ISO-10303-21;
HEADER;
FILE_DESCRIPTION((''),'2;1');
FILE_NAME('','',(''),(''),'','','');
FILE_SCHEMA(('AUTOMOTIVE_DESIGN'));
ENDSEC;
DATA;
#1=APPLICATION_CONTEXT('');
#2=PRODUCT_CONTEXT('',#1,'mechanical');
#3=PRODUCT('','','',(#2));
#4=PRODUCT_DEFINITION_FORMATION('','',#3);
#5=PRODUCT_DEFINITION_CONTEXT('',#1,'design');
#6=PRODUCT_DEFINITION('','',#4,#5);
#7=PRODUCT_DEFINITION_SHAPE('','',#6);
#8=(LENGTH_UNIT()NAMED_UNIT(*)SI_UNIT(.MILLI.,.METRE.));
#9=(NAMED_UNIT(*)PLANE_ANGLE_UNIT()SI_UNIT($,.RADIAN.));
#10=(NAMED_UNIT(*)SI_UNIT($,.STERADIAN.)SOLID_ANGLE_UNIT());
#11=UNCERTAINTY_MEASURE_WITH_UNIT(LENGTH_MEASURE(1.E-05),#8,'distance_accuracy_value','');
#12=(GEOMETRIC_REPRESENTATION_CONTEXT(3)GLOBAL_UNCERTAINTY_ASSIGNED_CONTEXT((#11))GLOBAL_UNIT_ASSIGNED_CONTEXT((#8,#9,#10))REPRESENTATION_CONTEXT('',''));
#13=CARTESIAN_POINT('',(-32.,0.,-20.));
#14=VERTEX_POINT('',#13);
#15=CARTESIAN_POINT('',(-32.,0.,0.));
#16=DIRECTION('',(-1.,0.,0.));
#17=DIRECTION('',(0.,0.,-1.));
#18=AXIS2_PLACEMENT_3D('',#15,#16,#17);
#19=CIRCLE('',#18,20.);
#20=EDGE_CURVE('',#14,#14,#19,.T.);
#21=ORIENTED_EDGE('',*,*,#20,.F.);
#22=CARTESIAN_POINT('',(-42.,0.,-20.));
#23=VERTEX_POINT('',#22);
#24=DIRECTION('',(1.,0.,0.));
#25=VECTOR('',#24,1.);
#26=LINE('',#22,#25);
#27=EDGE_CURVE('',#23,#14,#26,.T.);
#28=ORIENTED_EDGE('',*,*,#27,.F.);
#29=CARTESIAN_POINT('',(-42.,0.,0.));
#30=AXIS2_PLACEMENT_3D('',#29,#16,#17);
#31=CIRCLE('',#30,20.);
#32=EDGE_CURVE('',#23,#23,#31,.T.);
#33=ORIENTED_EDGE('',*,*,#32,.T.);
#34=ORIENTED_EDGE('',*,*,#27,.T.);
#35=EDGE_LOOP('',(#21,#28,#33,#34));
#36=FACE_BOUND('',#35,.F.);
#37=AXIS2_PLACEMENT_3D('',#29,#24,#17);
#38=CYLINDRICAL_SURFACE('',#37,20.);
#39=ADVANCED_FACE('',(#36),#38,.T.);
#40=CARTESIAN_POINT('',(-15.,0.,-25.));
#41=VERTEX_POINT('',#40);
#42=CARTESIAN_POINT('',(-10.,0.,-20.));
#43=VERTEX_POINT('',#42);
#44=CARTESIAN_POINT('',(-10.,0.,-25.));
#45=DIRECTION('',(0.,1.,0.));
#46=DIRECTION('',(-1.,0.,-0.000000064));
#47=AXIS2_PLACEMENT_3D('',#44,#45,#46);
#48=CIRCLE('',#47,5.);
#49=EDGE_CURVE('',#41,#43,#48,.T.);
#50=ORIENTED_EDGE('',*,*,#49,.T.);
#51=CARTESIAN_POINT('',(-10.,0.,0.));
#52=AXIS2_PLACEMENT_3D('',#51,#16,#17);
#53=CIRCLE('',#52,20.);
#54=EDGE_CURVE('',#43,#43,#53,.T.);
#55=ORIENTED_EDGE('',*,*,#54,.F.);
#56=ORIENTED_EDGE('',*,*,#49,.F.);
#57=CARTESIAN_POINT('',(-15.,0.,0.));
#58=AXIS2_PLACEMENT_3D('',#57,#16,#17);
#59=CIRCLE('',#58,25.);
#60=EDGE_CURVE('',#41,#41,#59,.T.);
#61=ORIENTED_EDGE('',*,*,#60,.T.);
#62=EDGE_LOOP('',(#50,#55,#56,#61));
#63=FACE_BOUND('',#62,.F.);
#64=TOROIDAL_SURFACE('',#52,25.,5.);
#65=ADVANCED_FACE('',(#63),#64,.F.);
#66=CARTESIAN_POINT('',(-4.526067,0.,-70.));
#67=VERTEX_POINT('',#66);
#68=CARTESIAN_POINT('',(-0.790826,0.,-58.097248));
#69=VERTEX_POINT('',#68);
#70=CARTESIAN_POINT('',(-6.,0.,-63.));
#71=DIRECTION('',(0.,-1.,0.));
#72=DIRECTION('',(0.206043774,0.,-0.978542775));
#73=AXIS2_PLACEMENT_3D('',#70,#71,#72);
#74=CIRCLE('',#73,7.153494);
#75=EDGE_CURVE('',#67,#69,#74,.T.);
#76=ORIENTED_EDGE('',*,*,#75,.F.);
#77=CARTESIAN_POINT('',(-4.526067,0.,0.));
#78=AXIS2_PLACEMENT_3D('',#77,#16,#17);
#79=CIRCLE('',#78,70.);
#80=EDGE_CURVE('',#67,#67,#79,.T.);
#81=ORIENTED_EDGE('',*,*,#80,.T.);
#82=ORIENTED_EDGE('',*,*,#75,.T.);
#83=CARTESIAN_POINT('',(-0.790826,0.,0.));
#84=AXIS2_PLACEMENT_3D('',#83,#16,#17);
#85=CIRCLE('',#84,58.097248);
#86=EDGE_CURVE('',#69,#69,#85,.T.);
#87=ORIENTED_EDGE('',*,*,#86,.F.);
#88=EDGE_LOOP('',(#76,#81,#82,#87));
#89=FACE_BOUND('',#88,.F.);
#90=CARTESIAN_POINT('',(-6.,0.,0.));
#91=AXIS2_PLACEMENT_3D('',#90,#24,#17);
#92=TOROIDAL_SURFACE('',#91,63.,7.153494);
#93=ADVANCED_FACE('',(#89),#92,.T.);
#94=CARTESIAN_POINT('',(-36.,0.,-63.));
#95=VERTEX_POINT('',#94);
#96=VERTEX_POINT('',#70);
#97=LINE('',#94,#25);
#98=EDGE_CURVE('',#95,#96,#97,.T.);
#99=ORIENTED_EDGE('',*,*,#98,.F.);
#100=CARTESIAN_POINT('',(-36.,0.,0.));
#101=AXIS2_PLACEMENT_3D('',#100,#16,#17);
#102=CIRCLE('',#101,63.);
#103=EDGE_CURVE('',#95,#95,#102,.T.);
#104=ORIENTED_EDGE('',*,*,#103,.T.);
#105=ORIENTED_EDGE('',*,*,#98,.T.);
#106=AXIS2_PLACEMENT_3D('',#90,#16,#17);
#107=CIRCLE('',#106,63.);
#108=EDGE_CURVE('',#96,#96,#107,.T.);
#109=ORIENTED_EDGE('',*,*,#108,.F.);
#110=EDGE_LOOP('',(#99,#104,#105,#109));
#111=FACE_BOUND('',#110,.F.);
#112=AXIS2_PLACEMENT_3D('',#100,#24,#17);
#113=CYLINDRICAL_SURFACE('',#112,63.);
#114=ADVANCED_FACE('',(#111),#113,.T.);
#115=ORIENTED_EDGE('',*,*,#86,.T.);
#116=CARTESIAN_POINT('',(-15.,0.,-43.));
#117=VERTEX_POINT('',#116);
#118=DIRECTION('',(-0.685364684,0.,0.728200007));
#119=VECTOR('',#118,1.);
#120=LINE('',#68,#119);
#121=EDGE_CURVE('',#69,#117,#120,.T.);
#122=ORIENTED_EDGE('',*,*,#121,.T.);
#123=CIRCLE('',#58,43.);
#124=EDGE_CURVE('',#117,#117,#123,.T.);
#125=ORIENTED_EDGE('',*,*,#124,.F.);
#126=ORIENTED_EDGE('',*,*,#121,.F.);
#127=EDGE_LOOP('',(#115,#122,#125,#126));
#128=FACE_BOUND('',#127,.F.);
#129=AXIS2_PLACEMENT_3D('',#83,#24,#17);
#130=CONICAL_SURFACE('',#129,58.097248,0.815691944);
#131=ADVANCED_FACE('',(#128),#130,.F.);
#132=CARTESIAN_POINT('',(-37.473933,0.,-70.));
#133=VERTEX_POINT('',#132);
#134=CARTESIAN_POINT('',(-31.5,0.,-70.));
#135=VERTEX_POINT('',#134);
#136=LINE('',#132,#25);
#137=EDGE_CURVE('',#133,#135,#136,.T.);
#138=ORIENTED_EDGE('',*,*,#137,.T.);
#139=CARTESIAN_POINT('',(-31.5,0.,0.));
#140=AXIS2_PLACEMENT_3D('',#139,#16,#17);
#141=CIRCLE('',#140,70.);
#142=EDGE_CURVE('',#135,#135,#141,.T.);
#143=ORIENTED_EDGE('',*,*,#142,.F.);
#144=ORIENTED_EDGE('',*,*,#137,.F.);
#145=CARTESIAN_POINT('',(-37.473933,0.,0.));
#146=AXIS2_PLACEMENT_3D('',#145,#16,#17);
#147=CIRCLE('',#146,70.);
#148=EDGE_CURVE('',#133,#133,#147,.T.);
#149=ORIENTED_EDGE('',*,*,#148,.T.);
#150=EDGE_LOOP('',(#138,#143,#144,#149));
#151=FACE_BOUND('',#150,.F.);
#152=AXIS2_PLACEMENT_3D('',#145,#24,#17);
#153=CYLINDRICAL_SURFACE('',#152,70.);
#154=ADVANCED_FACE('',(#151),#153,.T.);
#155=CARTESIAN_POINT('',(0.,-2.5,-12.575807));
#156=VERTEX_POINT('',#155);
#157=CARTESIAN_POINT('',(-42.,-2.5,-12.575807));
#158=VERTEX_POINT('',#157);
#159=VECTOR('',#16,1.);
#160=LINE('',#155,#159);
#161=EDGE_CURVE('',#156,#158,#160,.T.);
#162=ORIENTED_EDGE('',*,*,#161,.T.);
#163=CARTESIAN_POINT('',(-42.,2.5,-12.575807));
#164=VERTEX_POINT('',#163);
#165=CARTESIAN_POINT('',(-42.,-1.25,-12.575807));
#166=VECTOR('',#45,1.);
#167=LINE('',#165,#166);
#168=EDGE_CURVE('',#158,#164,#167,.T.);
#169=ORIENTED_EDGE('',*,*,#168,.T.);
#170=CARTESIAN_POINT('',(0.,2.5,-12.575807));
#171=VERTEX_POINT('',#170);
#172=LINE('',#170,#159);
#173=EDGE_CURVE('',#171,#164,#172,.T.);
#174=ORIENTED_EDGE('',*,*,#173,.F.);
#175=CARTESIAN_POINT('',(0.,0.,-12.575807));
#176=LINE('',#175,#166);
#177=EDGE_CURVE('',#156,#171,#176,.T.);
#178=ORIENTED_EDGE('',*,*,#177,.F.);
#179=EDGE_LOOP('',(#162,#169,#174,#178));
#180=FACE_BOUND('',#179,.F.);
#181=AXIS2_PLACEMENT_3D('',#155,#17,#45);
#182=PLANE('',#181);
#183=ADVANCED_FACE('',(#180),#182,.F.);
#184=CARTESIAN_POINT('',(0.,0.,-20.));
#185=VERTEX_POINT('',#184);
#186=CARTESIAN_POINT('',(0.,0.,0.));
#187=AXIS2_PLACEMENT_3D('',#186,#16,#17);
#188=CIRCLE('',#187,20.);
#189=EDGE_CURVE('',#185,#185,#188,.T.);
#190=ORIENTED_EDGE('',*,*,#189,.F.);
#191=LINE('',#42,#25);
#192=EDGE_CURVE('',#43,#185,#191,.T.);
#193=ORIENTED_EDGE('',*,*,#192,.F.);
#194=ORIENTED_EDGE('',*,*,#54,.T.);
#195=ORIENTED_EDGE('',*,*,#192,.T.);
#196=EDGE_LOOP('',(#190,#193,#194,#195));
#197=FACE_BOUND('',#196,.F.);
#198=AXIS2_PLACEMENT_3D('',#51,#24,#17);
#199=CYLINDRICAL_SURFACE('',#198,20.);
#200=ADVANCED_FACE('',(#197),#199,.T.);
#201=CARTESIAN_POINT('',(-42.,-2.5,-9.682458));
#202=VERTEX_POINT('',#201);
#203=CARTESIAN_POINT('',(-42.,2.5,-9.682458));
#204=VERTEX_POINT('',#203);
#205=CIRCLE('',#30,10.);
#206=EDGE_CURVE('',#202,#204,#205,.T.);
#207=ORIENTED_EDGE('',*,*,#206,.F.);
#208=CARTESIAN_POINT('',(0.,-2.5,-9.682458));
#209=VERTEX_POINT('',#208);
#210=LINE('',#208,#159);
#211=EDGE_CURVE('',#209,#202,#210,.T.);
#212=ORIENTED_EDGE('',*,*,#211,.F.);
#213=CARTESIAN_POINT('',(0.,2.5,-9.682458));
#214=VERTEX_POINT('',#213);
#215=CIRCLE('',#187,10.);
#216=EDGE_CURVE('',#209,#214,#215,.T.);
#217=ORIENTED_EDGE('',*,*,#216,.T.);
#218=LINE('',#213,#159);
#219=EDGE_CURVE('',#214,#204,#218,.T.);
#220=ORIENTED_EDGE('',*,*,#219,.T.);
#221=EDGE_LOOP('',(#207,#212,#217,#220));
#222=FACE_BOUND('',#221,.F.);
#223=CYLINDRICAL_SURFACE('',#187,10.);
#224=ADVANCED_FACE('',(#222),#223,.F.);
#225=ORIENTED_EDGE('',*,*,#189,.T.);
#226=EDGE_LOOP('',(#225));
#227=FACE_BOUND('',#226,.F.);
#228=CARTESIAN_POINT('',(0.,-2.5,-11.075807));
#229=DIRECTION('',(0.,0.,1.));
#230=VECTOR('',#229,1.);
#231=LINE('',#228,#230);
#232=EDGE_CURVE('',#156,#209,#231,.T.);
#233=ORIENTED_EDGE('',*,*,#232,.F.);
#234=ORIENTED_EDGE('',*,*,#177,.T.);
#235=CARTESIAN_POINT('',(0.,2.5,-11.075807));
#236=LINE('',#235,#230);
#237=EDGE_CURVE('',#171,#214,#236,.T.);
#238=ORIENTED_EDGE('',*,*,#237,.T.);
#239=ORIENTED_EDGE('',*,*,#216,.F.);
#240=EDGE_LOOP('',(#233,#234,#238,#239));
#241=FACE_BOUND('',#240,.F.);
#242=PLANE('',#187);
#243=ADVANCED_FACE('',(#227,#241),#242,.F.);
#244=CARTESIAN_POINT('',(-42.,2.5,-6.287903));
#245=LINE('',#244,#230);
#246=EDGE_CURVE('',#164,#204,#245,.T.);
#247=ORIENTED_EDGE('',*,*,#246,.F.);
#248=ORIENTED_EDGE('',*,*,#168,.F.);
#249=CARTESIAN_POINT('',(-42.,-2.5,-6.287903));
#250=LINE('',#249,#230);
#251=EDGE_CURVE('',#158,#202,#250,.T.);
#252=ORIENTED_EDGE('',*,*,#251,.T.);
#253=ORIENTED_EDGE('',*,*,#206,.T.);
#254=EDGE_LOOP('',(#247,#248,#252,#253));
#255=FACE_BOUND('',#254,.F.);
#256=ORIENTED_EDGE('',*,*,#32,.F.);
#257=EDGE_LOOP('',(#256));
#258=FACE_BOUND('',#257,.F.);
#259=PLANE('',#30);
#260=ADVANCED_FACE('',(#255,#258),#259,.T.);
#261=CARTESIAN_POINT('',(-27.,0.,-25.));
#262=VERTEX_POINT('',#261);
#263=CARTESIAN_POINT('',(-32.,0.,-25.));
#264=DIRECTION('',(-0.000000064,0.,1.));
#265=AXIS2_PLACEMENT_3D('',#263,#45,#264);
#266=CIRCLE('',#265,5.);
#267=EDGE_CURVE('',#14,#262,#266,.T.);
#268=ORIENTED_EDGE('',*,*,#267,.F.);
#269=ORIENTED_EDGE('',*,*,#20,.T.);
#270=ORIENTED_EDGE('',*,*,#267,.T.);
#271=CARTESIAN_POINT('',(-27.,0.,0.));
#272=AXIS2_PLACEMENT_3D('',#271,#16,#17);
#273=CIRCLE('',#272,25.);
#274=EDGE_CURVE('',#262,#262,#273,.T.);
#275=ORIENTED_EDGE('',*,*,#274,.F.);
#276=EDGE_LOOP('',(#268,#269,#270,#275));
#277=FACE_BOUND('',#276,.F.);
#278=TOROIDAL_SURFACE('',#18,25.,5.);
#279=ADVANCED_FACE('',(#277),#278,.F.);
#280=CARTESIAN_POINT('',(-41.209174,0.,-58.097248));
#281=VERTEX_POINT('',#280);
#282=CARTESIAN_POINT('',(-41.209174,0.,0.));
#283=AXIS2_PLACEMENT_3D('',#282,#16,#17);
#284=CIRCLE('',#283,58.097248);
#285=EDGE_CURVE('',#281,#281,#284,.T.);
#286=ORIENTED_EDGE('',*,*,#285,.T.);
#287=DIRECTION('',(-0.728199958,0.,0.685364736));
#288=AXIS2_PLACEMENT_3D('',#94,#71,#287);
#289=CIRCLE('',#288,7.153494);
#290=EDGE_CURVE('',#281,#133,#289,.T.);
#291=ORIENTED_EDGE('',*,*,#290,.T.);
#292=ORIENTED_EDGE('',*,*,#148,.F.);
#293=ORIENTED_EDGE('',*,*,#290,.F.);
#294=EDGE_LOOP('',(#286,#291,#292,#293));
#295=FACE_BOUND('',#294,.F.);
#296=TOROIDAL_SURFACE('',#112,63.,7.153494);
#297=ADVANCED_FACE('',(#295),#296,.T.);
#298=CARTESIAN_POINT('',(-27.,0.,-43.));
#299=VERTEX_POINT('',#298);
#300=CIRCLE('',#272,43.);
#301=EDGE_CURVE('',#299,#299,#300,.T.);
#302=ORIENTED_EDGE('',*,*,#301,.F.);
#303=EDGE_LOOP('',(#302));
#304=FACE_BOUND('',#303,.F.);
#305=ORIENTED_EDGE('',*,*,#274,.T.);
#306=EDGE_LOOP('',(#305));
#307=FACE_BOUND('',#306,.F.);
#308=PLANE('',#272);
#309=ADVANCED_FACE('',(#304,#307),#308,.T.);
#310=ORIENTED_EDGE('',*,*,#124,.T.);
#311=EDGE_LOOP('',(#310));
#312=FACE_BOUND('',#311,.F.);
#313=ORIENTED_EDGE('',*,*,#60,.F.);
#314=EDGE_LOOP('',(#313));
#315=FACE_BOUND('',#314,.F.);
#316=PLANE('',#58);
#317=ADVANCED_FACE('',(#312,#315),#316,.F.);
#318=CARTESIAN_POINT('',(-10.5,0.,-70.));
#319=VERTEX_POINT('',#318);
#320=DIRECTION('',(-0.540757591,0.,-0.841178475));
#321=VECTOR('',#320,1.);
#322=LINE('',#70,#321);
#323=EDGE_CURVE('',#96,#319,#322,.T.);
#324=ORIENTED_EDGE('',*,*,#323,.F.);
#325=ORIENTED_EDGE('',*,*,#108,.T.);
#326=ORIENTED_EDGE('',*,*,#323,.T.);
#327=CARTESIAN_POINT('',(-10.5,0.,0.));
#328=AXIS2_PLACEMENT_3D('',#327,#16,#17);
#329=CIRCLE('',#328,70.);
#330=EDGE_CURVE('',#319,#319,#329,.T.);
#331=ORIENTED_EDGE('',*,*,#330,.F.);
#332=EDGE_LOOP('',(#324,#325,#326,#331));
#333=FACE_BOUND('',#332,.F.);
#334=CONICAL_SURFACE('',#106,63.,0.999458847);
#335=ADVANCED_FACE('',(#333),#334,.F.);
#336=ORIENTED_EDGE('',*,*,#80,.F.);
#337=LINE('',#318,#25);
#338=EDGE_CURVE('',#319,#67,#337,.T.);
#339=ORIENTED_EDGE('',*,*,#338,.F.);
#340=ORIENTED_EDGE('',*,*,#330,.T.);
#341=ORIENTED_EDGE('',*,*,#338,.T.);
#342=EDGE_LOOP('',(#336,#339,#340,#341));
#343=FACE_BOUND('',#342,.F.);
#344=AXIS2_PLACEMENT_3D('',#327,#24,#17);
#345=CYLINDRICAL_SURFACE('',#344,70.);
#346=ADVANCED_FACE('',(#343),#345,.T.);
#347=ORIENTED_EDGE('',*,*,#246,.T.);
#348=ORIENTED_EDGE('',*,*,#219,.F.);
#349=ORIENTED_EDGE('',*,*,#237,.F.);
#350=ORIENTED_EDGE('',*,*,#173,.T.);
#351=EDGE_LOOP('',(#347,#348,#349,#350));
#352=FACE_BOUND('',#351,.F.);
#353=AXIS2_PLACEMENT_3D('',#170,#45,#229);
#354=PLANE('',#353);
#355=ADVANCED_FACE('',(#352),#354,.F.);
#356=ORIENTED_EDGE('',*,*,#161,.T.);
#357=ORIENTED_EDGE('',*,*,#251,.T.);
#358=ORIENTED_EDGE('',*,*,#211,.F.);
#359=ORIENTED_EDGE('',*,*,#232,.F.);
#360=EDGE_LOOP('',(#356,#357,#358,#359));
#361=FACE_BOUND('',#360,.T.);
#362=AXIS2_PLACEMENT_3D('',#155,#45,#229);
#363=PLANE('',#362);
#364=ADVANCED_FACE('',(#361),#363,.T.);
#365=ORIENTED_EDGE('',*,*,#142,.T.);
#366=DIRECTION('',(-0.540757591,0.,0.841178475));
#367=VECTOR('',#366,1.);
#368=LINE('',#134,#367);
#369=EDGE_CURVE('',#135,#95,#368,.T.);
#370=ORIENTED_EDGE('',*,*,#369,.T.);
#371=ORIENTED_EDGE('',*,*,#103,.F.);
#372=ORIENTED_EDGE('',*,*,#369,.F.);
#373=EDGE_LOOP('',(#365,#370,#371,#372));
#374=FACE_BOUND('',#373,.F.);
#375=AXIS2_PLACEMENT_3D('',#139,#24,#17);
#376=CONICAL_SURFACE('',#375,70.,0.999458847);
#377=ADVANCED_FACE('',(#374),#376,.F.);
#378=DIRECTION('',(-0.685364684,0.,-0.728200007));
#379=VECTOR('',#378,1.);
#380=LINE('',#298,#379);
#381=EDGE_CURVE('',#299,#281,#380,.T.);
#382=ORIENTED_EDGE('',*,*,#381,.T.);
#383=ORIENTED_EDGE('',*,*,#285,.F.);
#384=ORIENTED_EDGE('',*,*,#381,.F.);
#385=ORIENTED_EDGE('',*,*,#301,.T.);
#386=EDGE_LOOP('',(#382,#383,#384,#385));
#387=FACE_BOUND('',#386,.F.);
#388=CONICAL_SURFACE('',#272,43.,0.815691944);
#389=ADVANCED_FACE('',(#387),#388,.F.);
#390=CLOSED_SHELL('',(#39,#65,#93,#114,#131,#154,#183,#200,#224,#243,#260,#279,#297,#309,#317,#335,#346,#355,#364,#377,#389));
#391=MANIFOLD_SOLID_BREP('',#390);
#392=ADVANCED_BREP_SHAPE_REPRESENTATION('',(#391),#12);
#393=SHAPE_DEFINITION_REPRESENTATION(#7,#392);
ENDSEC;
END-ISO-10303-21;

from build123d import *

# Parameters (mm, degrees)
F2_W     = 5
F2_H     = 3
F3_DEPTH = 53.1


with BuildPart() as f1:
    # F0 (on Front) → F1 (revolve)
    with BuildSketch(Plane.XZ):
        with BuildLine():
            Line((0, -10), (-42, -10))
            Line((-42, -10), (-42, -20))
            Line((-42, -20), (-32, -20))
            ThreePointArc((-32, -20), (-28.464466, -21.464466), (-27, -25))
            Line((-27, -25), (-27, -43))
            Line((-27, -43), (-41.209174, -58.097248))
            ThreePointArc((-41.209174, -58.097248), (-42.82531, -65.141873), (-37.473933, -70))
            Line((-37.473933, -70), (-31.5, -70))
            Line((-31.5, -70), (-36, -63))
            Line((-36, -63), (-6, -63))
            Line((-6, -63), (-10.5, -70))
            Line((-10.5, -70), (-4.526067, -70))
            ThreePointArc((-4.526067, -70), (0.82531, -65.141873), (-0.790826, -58.097248))
            Line((-0.790826, -58.097248), (-15, -43))
            Line((-15, -43), (-15, -25))
            ThreePointArc((-15, -25), (-13.535534, -21.464466), (-10, -20))
            Line((-10, -20), (0, -20))
            Line((0, -20), (0, -10))
        make_face()
    revolve(axis=Axis((-21, 0, 0), (-1, 0, 0)))

    # F2 (on Right) → F3 (cut)
    with BuildSketch(Plane.YZ):
        with Locations((0, -11.075807)):
            Rectangle(F2_W, F2_H)
    extrude(amount=-F3_DEPTH, mode=Mode.SUBTRACT)


solid = f1.part
